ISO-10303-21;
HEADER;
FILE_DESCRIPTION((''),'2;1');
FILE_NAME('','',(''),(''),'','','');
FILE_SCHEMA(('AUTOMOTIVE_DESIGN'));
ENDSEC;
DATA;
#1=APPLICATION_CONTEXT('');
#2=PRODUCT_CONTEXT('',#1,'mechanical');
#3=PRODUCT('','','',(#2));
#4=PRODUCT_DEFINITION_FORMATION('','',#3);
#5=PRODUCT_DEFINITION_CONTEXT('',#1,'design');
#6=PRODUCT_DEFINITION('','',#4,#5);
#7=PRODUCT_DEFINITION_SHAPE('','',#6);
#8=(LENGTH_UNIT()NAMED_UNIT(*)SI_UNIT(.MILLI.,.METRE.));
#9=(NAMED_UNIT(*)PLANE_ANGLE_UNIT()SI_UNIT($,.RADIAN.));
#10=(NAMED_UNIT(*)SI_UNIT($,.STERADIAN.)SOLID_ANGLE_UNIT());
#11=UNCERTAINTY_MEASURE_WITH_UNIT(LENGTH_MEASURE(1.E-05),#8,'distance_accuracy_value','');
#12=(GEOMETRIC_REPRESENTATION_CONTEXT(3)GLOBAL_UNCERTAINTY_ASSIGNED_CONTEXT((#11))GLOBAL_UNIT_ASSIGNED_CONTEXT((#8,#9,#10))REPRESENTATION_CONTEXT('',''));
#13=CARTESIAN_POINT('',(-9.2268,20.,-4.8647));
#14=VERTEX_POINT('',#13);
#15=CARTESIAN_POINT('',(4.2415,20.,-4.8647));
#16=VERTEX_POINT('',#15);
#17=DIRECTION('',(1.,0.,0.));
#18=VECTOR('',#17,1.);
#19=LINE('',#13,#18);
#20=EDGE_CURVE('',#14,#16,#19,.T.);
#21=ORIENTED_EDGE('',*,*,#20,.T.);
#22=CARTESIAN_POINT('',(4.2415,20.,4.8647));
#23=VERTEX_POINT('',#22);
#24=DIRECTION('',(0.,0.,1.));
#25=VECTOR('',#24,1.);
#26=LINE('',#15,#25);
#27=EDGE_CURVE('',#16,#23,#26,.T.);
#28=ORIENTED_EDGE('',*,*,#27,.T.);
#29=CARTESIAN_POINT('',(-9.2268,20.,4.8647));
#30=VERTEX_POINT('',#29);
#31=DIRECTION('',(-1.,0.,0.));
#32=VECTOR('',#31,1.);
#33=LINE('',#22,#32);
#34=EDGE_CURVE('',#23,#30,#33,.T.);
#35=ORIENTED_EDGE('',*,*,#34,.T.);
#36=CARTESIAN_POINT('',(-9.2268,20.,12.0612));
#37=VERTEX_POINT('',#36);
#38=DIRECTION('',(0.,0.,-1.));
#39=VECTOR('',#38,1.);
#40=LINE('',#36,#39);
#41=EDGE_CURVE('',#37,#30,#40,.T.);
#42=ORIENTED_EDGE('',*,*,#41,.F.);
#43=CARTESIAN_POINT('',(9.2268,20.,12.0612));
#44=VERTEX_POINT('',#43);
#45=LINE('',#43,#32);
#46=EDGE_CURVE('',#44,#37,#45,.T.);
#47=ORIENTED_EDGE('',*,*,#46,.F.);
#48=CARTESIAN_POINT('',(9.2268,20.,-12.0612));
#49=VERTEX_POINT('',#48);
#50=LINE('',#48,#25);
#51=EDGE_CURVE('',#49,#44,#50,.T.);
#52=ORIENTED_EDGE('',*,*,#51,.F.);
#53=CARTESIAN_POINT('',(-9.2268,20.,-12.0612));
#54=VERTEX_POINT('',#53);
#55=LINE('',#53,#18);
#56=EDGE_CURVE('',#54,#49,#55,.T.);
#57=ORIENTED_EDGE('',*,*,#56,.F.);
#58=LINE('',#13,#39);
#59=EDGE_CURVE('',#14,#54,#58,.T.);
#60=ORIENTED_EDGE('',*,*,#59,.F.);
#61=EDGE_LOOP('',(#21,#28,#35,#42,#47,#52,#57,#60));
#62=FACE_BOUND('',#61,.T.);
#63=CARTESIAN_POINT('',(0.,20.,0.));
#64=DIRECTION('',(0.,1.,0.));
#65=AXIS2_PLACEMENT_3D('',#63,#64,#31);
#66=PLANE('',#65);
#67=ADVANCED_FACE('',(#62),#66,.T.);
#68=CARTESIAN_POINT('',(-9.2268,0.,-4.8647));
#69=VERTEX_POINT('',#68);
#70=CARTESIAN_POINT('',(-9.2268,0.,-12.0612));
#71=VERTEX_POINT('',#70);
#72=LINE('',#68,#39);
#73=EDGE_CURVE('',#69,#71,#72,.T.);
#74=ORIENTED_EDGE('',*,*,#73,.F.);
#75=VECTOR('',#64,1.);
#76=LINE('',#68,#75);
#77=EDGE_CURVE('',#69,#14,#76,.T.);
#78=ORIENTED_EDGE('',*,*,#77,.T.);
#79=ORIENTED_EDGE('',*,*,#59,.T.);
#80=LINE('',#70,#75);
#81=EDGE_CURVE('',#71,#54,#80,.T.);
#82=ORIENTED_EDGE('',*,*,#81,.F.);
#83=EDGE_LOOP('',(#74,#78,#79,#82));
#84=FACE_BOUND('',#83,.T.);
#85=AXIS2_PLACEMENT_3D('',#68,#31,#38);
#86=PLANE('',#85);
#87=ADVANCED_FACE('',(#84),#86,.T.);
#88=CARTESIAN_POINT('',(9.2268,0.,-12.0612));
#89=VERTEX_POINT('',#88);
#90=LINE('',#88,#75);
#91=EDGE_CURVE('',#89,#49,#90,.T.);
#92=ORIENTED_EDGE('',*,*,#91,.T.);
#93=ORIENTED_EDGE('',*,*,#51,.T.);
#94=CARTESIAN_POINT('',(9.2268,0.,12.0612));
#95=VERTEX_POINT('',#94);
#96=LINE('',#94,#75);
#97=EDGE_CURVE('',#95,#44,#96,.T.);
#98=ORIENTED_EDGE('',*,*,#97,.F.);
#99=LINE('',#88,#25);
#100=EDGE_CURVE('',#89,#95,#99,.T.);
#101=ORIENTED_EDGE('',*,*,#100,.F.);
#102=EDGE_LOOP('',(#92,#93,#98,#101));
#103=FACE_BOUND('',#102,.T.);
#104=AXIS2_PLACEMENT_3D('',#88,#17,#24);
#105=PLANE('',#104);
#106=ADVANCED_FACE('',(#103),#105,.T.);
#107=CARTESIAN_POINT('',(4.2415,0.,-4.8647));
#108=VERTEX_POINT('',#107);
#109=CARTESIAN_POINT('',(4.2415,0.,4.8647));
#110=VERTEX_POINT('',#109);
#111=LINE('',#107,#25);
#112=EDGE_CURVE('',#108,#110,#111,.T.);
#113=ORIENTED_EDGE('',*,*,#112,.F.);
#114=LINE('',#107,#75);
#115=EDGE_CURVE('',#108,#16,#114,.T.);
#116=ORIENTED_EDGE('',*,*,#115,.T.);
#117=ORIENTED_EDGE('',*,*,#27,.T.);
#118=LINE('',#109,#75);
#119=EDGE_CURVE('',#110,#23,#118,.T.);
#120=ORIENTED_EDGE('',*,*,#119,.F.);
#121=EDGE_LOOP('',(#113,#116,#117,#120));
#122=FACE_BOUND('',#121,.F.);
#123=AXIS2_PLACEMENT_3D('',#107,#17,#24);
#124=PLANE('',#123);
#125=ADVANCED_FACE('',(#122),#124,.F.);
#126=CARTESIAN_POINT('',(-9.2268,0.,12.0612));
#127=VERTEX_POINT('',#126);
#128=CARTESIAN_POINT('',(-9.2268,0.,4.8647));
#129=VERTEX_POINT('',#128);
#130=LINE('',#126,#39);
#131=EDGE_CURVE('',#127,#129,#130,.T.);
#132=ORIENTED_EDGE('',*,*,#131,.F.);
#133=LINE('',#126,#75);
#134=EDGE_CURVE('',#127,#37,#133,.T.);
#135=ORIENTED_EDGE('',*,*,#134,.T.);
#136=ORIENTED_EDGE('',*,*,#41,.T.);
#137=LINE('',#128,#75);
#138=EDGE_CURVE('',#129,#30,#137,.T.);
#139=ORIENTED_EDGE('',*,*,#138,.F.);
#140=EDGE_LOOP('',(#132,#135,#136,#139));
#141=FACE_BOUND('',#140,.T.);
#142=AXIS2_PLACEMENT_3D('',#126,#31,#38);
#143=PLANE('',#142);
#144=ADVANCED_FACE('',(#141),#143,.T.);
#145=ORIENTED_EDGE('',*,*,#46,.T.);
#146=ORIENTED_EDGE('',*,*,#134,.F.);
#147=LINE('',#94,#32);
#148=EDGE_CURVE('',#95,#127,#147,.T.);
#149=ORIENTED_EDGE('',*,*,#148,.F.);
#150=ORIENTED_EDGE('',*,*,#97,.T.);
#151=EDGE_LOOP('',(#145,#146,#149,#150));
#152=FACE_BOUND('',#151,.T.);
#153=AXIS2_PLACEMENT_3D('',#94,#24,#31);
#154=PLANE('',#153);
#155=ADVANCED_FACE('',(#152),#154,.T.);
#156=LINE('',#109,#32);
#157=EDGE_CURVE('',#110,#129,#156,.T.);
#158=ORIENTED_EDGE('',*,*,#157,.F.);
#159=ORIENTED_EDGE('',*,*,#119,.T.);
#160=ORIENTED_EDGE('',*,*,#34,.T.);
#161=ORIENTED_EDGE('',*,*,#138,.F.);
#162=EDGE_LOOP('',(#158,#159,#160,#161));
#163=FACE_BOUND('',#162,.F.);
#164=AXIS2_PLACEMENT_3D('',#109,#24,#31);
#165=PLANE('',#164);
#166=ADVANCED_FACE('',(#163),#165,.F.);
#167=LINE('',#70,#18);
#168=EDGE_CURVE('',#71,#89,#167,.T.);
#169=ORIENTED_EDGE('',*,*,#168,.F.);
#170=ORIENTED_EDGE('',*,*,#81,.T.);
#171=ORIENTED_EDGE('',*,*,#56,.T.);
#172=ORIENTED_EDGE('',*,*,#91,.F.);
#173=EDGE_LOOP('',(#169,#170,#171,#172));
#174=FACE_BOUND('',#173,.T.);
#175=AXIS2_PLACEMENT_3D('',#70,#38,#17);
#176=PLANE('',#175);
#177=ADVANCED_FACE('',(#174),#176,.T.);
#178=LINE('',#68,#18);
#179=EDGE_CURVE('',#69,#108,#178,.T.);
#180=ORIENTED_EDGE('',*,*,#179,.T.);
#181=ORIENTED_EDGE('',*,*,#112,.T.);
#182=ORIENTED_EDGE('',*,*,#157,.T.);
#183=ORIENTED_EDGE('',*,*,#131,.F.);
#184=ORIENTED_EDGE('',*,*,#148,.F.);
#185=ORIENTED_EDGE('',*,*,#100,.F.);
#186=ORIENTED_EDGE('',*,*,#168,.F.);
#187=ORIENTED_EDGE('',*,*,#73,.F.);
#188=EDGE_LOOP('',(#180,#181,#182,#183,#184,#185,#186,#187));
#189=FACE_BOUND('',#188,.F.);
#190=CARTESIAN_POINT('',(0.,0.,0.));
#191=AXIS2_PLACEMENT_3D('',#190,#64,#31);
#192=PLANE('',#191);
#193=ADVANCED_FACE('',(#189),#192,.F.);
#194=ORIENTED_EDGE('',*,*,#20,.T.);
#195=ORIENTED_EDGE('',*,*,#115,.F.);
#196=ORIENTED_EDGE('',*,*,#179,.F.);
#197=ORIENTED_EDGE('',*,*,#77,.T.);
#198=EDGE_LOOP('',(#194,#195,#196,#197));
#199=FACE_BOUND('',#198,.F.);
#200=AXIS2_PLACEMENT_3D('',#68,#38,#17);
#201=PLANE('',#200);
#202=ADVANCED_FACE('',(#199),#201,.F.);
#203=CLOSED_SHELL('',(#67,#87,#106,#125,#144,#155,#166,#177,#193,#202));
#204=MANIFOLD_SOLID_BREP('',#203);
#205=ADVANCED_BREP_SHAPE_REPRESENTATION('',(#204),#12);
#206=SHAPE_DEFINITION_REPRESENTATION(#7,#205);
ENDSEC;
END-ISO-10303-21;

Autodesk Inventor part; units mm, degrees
ref_plane "YZ Plane" through (0, 0, 0) normal (1, 0, 0) x (0, 1, 0)
ref_plane "XZ Plane" through (0, 0, 0) normal (0, 1, 0) x (-1, 0, 0)
ref_plane "XY Plane" through (0, 0, 0) normal (0, 0, 1) x (1, 0, 0)
sketch "Sketch1" plane through (0, 0, 0) normal (0, 1, 0) x (-1, 0, 0)
  line L0 (-9.2268, 12.0612) -> (9.2268, 12.0612)
  line L1 (9.2268, -12.0612) -> (-9.2268, -12.0612)
  line L2 (-9.2268, -12.0612) -> (-9.2268, 12.0612)
  line L3 (-9.2268, 12.0612) -> (9.2268, -12.0612) construction
  line L4 (9.2268, 12.0612) -> (-9.2268, -12.0612) construction
  line L5 (-4.2415, 4.8647) -> (9.2268, 4.8647)
  line L6 (9.2268, -4.8647) -> (-4.2415, -4.8647)
  line L7 (-4.2415, -4.8647) -> (-4.2415, 4.8647)
  line L8 (-4.2415, 4.8647) -> (14.8956, -4.8647) construction
  line L9 (14.8956, 4.8647) -> (-4.2415, -4.8647) construction
  line L10 (9.2268, 12.0612) -> (9.2268, 4.8647)
  line L11 (9.2268, -4.8647) -> (9.2268, -12.0612)
  point P0 (0, 0)
  point P1 (5.327, 0)
extrude "Extrusion1" add sketch "Sketch1" along normal blind 20
properties part number "slot"
